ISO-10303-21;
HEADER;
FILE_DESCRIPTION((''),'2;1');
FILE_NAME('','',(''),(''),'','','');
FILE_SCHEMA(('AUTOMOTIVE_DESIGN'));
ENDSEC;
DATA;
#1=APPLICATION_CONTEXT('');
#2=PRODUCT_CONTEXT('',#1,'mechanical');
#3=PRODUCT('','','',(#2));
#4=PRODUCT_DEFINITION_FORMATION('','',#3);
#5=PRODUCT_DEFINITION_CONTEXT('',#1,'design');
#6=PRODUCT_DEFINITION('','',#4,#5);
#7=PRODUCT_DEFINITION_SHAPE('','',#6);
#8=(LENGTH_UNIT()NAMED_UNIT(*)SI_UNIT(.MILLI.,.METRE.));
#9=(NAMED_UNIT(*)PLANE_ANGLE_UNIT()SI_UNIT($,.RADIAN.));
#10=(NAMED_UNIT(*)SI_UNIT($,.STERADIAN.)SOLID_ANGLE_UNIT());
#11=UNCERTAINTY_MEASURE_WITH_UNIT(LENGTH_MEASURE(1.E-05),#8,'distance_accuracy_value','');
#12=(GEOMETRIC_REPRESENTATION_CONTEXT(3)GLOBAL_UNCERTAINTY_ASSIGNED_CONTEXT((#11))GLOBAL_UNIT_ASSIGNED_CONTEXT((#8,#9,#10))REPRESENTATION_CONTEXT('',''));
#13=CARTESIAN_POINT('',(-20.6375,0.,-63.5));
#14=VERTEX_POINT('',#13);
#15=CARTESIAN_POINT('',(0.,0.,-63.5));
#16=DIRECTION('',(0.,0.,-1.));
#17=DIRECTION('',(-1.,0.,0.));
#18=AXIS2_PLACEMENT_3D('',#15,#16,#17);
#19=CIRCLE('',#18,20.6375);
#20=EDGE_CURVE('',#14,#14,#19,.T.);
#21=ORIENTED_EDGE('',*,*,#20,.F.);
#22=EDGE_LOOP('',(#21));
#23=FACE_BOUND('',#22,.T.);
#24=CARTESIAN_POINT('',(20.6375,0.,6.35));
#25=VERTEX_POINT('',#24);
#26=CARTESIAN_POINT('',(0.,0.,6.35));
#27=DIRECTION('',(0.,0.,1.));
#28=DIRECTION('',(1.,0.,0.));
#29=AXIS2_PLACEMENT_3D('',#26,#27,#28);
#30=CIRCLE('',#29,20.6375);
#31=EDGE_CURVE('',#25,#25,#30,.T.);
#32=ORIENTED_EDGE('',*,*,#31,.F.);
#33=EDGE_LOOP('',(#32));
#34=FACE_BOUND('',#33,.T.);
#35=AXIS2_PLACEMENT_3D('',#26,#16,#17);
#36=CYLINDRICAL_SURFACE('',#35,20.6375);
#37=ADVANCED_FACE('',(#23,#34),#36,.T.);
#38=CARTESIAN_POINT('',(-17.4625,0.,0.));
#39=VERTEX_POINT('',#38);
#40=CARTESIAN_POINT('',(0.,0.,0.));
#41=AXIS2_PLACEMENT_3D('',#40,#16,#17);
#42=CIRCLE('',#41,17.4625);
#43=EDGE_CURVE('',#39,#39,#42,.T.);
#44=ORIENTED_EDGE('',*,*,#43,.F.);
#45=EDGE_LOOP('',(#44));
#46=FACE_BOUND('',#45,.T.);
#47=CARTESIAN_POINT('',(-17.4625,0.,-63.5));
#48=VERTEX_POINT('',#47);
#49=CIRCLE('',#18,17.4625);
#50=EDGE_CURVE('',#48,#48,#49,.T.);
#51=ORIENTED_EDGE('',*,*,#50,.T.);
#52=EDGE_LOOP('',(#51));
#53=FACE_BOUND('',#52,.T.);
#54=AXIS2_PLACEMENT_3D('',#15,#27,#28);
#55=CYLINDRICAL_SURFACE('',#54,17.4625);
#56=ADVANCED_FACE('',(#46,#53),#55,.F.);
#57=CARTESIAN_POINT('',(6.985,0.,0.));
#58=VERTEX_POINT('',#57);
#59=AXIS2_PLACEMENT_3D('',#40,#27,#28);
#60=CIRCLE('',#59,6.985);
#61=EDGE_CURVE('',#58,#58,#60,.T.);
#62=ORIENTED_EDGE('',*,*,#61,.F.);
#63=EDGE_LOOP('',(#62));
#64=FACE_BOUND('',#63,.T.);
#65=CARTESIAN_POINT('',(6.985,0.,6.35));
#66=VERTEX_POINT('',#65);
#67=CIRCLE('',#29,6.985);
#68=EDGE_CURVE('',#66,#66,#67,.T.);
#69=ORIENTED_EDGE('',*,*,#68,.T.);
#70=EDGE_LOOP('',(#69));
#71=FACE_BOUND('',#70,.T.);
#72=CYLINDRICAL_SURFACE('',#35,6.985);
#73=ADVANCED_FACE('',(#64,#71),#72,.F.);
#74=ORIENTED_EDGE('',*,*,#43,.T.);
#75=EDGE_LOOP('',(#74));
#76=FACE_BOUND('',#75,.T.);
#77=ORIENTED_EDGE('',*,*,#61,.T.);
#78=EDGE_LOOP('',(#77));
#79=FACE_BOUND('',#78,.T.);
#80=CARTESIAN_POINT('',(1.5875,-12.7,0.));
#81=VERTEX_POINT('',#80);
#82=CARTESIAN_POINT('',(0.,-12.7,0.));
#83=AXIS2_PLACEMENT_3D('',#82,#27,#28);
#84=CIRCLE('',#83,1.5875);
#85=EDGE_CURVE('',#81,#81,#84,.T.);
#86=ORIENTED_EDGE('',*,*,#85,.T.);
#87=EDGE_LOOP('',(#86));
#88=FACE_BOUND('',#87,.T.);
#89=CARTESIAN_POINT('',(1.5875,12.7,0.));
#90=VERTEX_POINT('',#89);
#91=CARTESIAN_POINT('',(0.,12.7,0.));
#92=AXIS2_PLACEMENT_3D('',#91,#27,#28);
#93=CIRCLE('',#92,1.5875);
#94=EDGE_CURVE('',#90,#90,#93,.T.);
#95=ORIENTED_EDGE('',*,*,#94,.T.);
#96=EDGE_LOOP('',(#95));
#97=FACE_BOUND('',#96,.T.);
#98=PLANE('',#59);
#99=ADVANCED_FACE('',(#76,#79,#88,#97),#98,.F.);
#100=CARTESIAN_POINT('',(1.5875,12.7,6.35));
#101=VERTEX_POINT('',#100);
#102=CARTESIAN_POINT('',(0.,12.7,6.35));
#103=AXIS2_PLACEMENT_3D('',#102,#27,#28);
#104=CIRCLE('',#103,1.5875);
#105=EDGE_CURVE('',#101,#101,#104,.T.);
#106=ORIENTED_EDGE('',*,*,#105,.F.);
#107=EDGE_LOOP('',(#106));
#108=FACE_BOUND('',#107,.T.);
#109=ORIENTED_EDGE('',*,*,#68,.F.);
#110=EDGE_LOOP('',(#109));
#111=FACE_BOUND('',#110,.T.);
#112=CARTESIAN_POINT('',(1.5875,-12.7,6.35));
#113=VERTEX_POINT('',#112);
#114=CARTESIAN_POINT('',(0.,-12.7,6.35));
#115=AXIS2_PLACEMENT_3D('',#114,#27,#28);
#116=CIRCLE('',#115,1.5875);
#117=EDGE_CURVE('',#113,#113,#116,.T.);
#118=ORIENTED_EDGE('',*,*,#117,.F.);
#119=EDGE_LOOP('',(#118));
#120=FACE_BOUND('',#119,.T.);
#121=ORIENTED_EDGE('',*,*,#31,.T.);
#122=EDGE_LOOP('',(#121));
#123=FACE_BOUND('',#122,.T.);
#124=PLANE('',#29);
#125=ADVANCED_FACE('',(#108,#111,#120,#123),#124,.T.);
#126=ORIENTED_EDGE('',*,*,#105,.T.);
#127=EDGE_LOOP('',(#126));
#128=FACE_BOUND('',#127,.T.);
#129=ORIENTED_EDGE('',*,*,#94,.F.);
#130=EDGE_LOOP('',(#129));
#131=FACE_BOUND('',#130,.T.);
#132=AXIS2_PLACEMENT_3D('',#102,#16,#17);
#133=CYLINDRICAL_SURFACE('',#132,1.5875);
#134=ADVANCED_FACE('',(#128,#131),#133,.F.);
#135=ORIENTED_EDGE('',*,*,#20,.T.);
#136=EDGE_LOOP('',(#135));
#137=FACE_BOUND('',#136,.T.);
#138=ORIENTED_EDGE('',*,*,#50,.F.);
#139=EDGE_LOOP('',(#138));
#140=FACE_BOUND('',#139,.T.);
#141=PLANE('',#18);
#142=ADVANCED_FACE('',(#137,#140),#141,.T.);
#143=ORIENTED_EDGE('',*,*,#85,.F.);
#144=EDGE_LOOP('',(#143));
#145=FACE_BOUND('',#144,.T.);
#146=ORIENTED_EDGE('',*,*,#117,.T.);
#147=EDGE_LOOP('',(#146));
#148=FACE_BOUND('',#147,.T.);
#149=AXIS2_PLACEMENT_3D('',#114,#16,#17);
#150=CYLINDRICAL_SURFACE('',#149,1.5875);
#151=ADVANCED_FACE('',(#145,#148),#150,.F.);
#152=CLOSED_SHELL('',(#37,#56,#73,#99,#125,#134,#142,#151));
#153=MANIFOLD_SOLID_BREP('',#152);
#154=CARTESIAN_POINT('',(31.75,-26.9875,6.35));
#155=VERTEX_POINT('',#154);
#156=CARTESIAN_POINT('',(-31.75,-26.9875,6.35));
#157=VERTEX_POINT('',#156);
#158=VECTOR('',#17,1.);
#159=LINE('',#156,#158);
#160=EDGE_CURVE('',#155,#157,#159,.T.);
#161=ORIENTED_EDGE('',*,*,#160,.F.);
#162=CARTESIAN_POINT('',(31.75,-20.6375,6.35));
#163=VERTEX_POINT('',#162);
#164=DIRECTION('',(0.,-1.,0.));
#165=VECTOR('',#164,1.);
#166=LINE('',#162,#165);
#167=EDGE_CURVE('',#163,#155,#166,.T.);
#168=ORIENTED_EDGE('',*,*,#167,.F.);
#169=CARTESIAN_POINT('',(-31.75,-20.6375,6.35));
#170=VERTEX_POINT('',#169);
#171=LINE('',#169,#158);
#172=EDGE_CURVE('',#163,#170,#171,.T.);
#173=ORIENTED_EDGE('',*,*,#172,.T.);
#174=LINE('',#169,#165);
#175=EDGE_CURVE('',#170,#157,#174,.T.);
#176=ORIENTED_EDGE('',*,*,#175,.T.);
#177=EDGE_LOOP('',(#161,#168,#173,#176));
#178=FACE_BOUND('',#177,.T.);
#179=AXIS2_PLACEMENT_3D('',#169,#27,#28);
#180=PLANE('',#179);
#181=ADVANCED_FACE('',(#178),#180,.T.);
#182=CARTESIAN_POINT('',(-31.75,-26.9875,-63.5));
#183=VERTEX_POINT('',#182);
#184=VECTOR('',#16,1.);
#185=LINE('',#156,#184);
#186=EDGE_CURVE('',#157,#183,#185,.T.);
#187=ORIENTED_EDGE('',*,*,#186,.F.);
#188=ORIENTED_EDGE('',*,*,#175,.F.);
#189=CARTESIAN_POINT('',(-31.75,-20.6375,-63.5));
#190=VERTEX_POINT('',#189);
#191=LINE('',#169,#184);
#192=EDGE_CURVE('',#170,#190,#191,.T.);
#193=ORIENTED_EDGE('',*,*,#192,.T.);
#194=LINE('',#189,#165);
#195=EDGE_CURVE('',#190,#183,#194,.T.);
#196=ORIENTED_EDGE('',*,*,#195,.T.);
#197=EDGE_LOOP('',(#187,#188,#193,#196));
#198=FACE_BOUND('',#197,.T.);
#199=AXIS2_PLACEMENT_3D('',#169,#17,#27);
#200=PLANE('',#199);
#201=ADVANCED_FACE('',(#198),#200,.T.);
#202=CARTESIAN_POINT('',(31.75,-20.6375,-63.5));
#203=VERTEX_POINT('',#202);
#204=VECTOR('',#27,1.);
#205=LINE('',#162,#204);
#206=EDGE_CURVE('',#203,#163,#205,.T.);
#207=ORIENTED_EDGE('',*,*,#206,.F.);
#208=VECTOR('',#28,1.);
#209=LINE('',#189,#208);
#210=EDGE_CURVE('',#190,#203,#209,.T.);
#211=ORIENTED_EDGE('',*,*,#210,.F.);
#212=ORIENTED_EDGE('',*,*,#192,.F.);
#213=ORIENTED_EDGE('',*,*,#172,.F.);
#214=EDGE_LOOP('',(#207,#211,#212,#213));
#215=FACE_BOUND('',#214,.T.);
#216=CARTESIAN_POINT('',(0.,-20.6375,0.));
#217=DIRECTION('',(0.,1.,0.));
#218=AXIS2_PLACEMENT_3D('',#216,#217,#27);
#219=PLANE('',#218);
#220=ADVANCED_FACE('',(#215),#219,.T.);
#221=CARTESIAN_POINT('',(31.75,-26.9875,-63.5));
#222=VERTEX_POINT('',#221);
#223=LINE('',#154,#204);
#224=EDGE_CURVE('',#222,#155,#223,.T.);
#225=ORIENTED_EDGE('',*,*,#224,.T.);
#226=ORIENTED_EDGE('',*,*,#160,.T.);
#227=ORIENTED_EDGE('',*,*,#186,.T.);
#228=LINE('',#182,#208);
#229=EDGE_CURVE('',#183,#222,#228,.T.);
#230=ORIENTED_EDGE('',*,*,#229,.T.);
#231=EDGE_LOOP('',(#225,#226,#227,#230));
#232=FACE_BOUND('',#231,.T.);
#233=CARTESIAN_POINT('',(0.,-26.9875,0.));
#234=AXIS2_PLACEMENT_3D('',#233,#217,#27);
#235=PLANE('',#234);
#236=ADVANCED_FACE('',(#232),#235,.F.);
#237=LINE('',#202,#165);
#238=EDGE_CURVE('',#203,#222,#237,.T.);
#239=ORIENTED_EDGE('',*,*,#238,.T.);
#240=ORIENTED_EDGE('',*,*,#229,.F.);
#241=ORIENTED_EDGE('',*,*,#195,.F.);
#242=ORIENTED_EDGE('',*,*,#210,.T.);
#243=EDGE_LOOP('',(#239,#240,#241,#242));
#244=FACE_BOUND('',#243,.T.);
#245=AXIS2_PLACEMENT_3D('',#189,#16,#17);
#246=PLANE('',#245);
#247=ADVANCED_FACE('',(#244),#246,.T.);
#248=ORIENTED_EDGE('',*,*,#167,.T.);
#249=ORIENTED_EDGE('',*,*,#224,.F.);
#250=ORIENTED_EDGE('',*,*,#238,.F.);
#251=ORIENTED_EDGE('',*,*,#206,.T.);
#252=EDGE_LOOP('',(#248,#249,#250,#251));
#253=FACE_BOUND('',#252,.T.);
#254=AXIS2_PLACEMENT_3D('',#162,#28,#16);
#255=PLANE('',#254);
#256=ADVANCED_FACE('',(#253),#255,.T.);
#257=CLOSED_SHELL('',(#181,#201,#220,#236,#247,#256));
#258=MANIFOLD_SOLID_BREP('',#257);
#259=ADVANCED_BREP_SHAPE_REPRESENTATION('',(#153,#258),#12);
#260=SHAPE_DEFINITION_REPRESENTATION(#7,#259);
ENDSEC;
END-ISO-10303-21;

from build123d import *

# Parameters (mm, degrees)
SKETCH1_R           = 20.6375
SKETCH1_R_2         = 19.05
SKETCH1_R_3         = 1.5875
SKETCH1_R_4         = 6.985
BOSS_EXTRUDE1_DEPTH = 6.35
BOSS_EXTRUDE2_START = 63.5
SKETCH2_R           = 20.6375
SKETCH2_R_2         = 17.4625
BOSS_EXTRUDE2_DEPTH = 63.5
BOSS_EXTRUDE3_DEPTH = 6.35


with BuildPart() as part:
    # Sketch1 → Boss-Extrude1 (new body)
    # profile 1 of 2: a face of its own
    with BuildSketch(Plane.XY):
        Circle(SKETCH1_R)
        Circle(SKETCH1_R_2, mode=Mode.SUBTRACT)
    # profile 2 of 2: a face of its own
    with BuildSketch(Plane.XY):
        Circle(SKETCH1_R_2)
        with Locations((0, -12.7)):
            Circle(SKETCH1_R_3, mode=Mode.SUBTRACT)
        with Locations((0, 12.7)):
            Circle(SKETCH1_R_3, mode=Mode.SUBTRACT)
        Circle(SKETCH1_R_4, mode=Mode.SUBTRACT)
    extrude(amount=BOSS_EXTRUDE1_DEPTH)

    # Sketch2 → Boss-Extrude2 (add)
    with BuildSketch(Plane(origin=(0, 0, 0), x_dir=(-1, 0, 0), z_dir=(0, 0, -1)).offset(BOSS_EXTRUDE2_START)):
        Circle(SKETCH2_R)
        Circle(SKETCH2_R_2, mode=Mode.SUBTRACT)
    extrude(amount=-BOSS_EXTRUDE2_DEPTH)


with BuildPart() as body_2:
    # 3DSketch2 → Boss-Extrude3 (new body)
    with BuildSketch(Plane(origin=(-31.75, -20.6375, 6.35), x_dir=(0.6726727939963125, 0, -0.7399400733959437), z_dir=(0, -1, 0))):
        Polygon((0, 0), (42.714722419, 46.986194661), (94.399536545, 0), (51.684814127, -46.986194661), align=None)
    extrude(amount=BOSS_EXTRUDE3_DEPTH)


solid = Compound([part.part, body_2.part])
